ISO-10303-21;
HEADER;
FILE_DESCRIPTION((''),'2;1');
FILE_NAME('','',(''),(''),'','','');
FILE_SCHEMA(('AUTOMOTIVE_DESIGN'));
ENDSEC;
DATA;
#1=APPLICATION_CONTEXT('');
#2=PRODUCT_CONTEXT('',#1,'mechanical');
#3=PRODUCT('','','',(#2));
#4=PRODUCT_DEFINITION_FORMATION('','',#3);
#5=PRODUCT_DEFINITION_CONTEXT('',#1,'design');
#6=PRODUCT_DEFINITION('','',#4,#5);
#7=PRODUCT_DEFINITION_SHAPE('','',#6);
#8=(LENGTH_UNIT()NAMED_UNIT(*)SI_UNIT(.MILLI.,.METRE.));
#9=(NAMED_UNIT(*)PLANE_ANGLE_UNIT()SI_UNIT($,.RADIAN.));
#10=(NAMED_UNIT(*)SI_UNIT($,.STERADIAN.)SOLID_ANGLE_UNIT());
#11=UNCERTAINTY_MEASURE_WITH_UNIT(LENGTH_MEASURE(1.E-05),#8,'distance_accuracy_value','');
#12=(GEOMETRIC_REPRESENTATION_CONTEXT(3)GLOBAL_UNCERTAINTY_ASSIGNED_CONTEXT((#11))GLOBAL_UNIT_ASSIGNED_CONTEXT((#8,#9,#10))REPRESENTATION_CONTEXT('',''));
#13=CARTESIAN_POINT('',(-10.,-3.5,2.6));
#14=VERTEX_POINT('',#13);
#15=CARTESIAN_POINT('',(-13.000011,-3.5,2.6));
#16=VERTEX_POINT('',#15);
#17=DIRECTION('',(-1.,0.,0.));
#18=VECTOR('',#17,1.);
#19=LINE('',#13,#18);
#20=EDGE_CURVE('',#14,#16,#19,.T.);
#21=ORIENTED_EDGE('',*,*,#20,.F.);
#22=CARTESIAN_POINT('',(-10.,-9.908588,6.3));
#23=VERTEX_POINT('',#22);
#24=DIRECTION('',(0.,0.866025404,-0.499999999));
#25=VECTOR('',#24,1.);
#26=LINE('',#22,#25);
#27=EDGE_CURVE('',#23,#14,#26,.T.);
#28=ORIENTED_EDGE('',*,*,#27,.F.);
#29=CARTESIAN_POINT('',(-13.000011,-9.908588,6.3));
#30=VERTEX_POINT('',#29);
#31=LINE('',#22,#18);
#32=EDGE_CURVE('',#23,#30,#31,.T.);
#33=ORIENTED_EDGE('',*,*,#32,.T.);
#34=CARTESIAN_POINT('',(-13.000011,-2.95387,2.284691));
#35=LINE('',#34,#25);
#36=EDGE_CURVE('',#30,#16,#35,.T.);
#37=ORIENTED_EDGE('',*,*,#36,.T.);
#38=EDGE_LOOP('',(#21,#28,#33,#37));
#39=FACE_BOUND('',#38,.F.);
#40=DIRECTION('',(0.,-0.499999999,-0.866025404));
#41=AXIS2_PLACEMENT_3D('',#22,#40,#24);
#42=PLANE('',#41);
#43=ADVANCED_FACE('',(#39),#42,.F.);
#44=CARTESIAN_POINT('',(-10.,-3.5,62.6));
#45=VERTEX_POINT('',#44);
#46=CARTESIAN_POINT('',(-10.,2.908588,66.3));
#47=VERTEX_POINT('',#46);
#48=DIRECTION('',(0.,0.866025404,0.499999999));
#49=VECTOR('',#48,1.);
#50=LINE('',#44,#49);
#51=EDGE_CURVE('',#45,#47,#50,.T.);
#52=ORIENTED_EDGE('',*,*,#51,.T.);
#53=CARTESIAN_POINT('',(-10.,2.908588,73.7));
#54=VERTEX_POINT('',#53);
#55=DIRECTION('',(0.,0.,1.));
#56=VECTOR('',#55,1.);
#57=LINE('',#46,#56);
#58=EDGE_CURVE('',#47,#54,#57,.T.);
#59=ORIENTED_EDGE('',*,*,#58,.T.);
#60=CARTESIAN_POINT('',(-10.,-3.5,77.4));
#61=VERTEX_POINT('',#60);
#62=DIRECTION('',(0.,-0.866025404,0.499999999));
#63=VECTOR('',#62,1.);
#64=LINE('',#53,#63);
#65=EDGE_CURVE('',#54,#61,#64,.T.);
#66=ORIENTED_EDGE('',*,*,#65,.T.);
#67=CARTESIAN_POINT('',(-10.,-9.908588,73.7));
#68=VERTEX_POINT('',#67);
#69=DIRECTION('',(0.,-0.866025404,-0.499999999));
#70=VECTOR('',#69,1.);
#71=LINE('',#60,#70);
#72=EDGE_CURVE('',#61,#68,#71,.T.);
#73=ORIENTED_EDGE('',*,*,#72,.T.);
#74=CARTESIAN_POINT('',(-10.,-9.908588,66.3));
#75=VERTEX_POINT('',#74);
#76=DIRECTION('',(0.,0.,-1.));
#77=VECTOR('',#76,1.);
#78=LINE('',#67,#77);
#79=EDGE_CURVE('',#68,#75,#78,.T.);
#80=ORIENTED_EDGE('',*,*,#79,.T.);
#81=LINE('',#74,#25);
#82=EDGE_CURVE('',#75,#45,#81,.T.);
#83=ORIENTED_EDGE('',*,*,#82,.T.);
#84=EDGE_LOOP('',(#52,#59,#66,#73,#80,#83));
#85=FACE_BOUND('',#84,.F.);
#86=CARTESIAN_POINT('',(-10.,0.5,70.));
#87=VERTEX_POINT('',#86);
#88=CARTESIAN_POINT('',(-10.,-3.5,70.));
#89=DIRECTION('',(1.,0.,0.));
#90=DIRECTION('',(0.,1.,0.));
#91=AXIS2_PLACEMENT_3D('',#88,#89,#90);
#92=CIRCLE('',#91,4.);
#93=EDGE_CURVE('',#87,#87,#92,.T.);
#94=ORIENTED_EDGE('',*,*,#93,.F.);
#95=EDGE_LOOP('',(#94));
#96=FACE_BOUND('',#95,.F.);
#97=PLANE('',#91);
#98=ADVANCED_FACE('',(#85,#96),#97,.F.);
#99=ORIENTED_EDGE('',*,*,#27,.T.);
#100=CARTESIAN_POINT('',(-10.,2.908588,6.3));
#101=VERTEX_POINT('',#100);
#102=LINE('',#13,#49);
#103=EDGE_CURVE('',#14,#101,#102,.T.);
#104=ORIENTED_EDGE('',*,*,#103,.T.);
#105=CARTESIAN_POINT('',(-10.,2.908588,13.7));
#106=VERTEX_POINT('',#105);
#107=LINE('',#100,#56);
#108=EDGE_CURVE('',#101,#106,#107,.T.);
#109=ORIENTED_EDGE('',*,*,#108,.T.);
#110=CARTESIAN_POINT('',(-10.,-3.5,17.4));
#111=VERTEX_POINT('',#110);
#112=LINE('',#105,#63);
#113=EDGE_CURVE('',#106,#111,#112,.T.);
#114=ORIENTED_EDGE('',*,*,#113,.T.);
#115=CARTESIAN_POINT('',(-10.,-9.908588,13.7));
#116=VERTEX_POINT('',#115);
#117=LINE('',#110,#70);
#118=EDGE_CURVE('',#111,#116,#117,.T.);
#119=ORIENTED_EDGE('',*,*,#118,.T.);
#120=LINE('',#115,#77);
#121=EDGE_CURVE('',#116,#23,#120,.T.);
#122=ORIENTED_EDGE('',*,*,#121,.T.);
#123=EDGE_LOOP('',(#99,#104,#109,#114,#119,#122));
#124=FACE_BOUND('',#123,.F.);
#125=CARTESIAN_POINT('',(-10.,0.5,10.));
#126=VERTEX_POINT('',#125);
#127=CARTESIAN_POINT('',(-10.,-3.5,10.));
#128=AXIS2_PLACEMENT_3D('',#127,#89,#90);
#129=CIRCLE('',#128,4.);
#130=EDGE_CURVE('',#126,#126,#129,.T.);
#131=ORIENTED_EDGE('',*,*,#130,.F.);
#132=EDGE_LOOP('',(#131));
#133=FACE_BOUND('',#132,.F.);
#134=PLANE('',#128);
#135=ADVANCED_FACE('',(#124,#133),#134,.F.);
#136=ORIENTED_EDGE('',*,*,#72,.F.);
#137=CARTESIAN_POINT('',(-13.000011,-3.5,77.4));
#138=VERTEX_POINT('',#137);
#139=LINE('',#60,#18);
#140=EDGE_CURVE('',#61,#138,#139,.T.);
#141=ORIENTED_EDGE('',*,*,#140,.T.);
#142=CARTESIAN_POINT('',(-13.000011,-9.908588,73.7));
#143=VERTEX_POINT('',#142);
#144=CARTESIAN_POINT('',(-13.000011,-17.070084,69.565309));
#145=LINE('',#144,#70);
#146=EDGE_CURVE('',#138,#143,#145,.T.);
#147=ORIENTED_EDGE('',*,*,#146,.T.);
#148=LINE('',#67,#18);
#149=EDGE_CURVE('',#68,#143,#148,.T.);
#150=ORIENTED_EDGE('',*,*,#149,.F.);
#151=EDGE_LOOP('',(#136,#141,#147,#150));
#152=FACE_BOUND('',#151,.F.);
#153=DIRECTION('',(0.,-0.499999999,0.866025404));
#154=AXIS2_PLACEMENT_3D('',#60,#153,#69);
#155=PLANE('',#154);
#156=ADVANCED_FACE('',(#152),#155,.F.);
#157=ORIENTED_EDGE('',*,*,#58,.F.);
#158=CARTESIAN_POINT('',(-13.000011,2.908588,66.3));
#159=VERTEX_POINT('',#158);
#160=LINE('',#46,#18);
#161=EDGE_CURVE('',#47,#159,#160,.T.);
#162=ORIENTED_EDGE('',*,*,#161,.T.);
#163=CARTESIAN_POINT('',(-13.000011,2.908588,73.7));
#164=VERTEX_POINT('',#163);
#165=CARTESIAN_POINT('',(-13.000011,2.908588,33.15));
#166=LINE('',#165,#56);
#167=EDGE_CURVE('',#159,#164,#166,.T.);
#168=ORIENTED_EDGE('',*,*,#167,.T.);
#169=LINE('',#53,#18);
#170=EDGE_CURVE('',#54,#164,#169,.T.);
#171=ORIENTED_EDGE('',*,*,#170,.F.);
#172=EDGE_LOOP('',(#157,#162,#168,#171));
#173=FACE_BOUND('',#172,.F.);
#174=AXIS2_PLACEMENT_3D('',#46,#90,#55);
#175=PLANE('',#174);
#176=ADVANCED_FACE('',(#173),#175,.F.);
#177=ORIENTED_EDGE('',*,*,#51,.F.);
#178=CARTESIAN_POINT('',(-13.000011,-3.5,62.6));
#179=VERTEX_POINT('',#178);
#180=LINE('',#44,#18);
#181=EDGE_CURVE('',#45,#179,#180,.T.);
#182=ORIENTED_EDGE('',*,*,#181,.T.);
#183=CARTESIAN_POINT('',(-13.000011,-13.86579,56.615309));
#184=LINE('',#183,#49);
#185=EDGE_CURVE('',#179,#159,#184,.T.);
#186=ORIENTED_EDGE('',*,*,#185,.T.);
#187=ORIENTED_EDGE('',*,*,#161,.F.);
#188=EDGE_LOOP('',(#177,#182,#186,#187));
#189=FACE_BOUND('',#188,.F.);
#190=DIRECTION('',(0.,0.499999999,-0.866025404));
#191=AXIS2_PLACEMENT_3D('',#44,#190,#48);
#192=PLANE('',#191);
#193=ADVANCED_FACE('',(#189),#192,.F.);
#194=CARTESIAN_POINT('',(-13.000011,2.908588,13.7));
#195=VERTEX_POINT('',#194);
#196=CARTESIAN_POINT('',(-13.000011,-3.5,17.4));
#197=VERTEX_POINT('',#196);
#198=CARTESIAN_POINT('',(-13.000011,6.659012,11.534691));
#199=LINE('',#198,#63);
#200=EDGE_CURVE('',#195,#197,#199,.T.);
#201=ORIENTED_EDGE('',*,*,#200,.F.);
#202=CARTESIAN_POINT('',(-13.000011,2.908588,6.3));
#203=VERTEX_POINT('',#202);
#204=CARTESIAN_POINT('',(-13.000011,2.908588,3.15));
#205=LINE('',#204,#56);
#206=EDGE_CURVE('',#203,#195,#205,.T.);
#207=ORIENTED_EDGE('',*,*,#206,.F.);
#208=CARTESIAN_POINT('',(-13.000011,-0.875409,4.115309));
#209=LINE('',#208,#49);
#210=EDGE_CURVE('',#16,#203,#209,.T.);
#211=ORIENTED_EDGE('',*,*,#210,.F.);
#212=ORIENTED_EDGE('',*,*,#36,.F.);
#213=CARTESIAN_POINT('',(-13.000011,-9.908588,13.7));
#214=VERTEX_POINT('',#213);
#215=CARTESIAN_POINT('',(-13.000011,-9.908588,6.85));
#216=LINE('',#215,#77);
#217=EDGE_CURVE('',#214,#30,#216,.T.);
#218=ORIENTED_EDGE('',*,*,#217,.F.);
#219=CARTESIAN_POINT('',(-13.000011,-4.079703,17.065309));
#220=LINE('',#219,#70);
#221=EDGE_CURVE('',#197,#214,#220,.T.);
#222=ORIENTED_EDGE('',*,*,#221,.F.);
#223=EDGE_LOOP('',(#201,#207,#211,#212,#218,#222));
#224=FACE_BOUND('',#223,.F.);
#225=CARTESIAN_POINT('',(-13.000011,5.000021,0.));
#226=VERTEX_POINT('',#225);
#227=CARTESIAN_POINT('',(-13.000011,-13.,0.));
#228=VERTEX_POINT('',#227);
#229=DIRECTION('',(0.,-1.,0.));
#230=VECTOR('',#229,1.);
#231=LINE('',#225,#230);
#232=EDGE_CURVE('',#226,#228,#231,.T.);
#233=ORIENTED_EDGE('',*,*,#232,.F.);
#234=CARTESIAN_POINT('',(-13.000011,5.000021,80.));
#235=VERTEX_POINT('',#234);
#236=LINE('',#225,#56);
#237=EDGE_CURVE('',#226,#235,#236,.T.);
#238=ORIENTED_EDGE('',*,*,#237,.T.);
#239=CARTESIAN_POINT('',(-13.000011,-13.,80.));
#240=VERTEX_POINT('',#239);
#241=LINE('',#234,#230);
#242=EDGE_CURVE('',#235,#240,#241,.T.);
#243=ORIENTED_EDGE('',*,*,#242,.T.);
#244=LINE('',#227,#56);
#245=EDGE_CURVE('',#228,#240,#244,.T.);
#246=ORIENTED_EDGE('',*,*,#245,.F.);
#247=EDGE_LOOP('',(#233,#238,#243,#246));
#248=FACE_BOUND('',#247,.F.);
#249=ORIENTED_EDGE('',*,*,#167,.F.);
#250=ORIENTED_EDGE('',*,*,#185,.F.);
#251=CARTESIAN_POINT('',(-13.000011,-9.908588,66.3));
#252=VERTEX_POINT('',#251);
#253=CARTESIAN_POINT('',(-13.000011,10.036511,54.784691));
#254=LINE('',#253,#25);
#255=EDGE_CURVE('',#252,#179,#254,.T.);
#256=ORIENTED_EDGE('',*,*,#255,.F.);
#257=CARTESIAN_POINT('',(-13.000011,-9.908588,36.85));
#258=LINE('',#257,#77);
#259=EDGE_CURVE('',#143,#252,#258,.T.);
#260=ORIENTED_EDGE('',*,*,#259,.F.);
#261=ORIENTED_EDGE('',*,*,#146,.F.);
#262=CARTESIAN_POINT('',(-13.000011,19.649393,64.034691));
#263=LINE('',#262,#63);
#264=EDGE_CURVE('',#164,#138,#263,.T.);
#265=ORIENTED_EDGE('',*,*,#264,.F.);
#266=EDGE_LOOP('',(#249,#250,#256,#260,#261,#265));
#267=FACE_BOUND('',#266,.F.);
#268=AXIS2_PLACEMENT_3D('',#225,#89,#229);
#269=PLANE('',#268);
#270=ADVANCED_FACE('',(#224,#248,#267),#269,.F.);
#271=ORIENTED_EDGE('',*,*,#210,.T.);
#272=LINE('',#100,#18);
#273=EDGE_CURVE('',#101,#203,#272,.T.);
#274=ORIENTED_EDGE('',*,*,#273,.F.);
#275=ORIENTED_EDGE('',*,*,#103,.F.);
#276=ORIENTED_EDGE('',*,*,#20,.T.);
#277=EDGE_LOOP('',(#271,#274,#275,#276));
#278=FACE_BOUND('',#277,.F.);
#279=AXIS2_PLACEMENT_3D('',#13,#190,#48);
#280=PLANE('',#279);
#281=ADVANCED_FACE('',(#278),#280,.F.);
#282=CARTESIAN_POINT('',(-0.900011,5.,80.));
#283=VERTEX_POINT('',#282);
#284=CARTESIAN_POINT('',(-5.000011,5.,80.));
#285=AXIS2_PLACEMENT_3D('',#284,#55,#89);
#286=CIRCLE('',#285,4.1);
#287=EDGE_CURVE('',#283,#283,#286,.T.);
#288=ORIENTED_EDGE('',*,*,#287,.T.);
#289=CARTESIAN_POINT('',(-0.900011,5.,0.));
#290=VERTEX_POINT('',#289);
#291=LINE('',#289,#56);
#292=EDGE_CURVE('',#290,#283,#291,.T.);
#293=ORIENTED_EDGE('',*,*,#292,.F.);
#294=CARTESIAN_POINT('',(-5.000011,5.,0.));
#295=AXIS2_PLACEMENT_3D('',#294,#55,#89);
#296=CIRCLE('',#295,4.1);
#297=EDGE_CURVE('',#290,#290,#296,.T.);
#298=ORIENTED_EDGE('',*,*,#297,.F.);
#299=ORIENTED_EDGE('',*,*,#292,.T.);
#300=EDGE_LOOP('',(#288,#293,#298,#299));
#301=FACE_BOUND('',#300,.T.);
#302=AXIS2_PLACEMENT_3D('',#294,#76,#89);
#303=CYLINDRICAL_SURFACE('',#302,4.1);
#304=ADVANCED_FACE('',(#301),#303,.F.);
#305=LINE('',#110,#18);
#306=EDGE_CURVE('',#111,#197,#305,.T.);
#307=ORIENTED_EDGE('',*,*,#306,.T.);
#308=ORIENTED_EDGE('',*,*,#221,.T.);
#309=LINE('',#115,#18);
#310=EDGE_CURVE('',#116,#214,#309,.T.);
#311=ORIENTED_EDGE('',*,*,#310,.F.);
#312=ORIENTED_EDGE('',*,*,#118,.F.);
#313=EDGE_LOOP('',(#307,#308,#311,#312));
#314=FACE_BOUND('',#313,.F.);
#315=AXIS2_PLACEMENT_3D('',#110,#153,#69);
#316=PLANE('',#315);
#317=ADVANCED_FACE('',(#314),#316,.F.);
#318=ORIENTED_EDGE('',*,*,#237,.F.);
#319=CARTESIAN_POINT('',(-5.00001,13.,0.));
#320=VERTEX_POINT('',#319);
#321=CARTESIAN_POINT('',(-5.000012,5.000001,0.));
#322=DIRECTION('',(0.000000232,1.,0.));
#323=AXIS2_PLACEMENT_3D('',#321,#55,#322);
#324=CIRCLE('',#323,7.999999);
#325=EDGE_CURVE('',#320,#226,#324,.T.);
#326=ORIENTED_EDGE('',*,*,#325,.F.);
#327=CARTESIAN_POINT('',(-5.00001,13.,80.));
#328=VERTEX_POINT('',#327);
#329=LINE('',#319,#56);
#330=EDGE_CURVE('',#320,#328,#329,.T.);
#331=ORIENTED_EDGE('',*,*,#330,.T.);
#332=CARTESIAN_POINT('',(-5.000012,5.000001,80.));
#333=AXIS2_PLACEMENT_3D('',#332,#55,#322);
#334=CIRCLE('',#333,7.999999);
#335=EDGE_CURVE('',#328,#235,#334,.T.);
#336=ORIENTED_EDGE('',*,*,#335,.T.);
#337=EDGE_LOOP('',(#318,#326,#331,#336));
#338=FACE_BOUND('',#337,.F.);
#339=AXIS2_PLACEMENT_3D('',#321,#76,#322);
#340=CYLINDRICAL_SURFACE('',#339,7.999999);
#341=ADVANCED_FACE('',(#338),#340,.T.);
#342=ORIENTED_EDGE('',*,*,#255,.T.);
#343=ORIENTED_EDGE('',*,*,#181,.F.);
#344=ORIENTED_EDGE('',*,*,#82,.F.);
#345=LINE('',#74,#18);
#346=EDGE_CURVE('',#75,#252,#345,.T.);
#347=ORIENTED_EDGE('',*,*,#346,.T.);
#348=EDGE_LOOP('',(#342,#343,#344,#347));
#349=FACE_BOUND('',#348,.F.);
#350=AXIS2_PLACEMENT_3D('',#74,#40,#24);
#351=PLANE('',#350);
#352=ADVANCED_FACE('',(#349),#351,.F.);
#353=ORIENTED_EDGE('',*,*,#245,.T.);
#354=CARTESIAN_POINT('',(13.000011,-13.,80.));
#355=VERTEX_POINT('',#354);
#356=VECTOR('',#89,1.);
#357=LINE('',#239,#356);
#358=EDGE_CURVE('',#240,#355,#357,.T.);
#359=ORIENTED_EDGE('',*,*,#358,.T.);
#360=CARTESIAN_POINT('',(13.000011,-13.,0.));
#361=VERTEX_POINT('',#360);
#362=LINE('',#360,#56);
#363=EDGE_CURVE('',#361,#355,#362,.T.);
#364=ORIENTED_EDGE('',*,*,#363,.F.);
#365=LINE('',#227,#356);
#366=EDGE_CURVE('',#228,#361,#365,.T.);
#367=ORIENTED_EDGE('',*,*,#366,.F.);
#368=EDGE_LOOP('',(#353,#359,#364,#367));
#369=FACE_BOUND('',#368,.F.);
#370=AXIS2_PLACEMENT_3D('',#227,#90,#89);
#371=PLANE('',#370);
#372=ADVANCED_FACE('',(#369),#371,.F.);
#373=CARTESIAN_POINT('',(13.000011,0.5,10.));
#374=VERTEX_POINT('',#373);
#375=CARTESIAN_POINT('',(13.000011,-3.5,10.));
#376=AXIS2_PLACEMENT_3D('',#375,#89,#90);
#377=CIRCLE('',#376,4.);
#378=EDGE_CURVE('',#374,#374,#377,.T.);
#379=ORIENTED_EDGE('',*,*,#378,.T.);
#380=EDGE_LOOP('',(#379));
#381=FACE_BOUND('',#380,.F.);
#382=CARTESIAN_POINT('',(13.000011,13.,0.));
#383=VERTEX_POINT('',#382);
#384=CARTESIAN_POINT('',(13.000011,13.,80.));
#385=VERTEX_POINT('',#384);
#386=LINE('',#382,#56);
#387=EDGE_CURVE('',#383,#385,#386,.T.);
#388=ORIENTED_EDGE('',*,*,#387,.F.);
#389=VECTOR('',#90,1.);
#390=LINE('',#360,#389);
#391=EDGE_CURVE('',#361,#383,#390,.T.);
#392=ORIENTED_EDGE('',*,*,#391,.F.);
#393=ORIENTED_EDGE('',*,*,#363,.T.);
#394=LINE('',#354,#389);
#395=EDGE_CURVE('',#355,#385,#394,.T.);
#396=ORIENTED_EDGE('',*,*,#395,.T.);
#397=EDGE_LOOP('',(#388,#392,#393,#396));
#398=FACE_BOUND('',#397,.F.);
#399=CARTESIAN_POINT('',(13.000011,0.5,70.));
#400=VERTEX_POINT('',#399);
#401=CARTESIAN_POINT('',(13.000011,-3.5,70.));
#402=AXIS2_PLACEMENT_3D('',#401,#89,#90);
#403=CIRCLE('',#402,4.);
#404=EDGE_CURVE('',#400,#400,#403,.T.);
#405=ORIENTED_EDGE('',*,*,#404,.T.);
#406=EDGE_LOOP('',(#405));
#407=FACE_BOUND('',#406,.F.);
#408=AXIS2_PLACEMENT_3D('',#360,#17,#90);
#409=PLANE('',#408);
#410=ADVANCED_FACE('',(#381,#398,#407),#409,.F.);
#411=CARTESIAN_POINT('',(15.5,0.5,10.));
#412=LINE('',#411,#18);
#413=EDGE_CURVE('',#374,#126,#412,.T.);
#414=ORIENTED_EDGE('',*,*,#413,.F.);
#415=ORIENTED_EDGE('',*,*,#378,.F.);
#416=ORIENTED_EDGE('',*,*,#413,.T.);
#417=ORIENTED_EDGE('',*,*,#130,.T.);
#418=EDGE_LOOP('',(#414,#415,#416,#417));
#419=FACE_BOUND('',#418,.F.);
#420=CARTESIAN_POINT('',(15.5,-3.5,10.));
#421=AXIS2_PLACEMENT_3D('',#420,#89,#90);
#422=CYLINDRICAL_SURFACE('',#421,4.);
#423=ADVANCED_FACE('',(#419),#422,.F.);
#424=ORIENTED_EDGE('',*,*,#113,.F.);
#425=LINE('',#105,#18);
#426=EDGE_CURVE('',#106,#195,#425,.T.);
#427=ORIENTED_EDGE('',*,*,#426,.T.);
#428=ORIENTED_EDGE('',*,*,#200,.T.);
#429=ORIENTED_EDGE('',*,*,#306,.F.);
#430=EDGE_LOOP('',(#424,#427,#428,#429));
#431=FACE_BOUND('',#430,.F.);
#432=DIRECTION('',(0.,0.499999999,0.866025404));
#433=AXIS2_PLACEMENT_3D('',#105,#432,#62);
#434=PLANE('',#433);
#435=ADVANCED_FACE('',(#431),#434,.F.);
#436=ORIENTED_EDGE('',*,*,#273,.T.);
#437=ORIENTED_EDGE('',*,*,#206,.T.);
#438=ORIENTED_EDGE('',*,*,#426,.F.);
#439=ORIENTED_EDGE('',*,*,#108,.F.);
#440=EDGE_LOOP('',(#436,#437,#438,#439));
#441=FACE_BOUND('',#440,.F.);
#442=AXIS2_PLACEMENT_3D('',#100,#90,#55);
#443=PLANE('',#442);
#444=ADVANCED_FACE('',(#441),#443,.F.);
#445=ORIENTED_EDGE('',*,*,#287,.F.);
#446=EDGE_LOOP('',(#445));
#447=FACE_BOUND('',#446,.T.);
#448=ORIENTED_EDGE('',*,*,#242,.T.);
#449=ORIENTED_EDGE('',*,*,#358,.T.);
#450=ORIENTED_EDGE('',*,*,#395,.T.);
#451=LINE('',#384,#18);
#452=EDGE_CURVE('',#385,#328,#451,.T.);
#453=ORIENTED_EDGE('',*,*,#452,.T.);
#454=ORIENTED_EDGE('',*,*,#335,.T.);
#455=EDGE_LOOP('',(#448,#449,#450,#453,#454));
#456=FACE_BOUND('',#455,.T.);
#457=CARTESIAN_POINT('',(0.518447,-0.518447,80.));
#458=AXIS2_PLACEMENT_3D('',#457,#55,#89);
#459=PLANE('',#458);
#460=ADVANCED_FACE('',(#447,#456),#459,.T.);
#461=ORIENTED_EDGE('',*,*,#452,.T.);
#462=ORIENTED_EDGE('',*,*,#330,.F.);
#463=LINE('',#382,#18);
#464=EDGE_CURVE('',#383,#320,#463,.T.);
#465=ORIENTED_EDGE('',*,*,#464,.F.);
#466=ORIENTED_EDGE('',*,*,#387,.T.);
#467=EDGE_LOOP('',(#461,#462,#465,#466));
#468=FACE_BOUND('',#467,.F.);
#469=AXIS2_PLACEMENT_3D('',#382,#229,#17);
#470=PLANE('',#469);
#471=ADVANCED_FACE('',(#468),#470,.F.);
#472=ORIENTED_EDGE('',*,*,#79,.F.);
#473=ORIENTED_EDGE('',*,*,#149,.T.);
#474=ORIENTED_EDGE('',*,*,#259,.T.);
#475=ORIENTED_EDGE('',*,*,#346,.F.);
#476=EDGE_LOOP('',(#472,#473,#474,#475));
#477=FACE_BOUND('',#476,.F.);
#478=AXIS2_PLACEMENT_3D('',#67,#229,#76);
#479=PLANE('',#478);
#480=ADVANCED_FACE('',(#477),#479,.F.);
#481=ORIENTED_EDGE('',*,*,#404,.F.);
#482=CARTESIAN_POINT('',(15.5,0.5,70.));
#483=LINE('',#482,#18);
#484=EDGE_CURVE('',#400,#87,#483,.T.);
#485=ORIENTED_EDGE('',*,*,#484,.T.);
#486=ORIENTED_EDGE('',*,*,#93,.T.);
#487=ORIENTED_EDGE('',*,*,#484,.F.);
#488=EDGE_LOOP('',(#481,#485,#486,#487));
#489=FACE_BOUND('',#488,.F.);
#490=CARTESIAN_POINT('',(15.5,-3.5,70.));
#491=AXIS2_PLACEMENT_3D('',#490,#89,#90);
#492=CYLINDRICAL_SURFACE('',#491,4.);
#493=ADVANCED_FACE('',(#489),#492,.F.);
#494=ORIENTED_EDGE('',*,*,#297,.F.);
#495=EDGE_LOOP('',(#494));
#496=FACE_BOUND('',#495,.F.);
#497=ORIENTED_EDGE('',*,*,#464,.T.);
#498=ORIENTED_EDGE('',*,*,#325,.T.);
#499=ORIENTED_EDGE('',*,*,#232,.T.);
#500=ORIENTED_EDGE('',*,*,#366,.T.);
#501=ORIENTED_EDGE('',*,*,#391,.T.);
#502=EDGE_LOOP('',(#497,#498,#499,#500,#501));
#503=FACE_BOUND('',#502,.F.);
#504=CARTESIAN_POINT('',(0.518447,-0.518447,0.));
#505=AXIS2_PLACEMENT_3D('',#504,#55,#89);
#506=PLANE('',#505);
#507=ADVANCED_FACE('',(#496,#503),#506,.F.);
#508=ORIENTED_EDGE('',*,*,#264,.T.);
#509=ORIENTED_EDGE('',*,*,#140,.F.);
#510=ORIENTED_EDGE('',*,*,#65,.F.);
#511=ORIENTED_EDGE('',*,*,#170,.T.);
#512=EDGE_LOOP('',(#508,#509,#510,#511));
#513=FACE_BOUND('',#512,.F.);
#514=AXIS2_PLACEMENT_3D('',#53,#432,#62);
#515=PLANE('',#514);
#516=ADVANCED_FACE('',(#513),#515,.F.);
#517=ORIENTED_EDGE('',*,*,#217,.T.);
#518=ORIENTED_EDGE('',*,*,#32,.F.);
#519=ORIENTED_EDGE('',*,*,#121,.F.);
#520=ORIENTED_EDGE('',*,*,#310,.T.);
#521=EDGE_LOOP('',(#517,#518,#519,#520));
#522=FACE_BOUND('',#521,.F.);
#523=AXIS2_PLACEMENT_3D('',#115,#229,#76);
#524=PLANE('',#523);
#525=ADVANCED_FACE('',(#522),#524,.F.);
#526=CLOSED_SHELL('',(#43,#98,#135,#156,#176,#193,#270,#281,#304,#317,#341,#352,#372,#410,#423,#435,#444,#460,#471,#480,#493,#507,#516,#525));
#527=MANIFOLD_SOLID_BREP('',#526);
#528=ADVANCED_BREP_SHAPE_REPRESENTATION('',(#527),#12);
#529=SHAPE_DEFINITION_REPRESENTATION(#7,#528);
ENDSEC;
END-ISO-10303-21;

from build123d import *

# Parameters (mm, degrees)
SKETCH001_R  = 4
PAD004_DEPTH = 31
PAD006_DEPTH = 4
SKETCH_R     = 4.1
PAD_DEPTH    = 80


with BuildPart() as rodhole02:
    # Sketch001 → Pad004 (new body)
    with BuildSketch(Plane.YZ.offset(15.5)):
        with Locations((-3.5, 70)):
            Circle(SKETCH001_R)
        with Locations((-3.5, 10)):
            Circle(SKETCH001_R)
    extrude(amount=-PAD004_DEPTH)


with BuildPart() as cutblock:
    # Sketch002 → Pad006 (new body)
    with BuildSketch(Plane.YZ.offset(-10)):
        Polygon((2.908588, 66.3), (2.908588, 73.7), (-3.5, 77.4), (-9.908588, 73.7), (-9.908588, 66.3), (-3.5, 62.6), align=None)
        Polygon((-3.5, 2.6), (2.908588, 6.3), (2.908588, 13.7), (-3.5, 17.4), (-9.908588, 13.7), (-9.908588, 6.3), align=None)
    extrude(amount=-PAD006_DEPTH)

    # Fusion: union RodHole02
    add(rodhole02.part)


with BuildPart() as cut:
    # Sketch → Pad (new body)
    with BuildSketch(Plane.XY):
        with BuildLine():
            Line((-13.000011, 5.000021), (-13.000011, -13))
            Line((-13.000011, -13), (13.000011, -13))
            Line((13.000011, -13), (13.000011, 13))
            Line((13.000011, 13), (-5.00001, 13))
            ThreePointArc((-5.00001, 13), (-10.656858, 10.656862), (-13.000011, 5.000021))
        make_face()
        with Locations((-5.000011, 5)):
            Circle(SKETCH_R, mode=Mode.SUBTRACT)
    extrude(amount=PAD_DEPTH)

    # Cut: cut CutBlock
    add(cutblock.part, mode=Mode.SUBTRACT)


solid = cut.part
